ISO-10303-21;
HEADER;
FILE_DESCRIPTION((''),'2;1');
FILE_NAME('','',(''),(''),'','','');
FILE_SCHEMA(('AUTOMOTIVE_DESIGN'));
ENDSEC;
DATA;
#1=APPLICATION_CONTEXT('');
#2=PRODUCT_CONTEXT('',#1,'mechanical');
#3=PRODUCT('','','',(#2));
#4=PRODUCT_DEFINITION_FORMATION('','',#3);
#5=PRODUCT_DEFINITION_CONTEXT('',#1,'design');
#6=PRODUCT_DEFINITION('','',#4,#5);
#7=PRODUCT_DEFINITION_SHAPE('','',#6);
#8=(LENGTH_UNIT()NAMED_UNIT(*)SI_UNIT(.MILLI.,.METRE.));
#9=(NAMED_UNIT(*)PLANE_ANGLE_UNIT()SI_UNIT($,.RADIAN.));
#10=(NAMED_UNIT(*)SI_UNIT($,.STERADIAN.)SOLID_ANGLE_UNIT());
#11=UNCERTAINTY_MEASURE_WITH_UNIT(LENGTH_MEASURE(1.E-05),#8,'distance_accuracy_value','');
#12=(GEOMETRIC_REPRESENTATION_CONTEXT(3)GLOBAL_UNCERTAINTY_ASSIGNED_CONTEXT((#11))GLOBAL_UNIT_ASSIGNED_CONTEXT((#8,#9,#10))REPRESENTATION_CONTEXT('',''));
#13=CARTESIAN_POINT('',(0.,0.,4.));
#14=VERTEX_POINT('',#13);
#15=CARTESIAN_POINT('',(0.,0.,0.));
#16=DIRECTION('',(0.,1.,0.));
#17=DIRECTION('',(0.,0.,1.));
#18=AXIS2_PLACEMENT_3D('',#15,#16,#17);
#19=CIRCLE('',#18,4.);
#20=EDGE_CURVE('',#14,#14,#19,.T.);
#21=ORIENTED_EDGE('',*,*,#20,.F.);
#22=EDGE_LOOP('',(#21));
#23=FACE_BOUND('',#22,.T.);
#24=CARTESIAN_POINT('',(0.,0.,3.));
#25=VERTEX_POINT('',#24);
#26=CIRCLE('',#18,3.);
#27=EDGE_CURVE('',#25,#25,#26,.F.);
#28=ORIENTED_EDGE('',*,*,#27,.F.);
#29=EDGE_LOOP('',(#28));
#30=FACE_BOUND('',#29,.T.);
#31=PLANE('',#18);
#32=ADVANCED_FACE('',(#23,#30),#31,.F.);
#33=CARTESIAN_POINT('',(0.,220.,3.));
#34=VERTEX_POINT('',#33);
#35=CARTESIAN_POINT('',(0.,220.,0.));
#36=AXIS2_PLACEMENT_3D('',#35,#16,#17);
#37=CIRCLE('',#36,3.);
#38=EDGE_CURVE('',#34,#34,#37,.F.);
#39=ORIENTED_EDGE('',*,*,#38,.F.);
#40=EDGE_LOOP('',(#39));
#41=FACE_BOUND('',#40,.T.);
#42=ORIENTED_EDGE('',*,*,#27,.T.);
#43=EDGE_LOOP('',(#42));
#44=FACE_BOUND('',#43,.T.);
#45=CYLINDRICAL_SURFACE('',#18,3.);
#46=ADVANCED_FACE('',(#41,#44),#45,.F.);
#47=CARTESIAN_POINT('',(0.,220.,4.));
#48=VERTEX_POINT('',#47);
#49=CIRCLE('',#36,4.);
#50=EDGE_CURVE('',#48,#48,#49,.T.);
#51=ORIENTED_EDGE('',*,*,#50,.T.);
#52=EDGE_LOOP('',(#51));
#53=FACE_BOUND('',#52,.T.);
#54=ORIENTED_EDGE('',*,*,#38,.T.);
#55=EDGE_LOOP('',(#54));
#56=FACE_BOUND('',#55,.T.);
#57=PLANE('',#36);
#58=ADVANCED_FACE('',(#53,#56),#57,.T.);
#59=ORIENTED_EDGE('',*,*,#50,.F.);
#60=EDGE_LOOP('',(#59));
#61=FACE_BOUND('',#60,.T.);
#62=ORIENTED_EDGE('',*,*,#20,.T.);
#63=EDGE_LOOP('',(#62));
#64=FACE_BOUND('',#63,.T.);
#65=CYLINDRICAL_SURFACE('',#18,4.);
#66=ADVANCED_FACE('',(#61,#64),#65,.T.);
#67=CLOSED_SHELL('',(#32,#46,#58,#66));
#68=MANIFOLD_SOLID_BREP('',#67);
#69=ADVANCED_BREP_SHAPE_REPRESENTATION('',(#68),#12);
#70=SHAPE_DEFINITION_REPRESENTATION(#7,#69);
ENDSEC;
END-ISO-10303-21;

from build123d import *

# Parameters (mm, degrees)
SKETCH2_R   = 4
SKETCH2_R_2 = 3


with BuildPart() as part:
    # Sweep1: sweep along a path in Sketch1
    with BuildLine(Plane.XY) as sweep1_path:
        Line((0, 0), (0, 220))
    # Sketch2 → Sweep1 (sweep)
    with BuildSketch(Plane(origin=(0, 0, 0), x_dir=(1, 0, 0), z_dir=(0, 1, 0))):
        Circle(SKETCH2_R)
        Circle(SKETCH2_R_2, mode=Mode.SUBTRACT)
    sweep(path=sweep1_path.line)


solid = part.part
